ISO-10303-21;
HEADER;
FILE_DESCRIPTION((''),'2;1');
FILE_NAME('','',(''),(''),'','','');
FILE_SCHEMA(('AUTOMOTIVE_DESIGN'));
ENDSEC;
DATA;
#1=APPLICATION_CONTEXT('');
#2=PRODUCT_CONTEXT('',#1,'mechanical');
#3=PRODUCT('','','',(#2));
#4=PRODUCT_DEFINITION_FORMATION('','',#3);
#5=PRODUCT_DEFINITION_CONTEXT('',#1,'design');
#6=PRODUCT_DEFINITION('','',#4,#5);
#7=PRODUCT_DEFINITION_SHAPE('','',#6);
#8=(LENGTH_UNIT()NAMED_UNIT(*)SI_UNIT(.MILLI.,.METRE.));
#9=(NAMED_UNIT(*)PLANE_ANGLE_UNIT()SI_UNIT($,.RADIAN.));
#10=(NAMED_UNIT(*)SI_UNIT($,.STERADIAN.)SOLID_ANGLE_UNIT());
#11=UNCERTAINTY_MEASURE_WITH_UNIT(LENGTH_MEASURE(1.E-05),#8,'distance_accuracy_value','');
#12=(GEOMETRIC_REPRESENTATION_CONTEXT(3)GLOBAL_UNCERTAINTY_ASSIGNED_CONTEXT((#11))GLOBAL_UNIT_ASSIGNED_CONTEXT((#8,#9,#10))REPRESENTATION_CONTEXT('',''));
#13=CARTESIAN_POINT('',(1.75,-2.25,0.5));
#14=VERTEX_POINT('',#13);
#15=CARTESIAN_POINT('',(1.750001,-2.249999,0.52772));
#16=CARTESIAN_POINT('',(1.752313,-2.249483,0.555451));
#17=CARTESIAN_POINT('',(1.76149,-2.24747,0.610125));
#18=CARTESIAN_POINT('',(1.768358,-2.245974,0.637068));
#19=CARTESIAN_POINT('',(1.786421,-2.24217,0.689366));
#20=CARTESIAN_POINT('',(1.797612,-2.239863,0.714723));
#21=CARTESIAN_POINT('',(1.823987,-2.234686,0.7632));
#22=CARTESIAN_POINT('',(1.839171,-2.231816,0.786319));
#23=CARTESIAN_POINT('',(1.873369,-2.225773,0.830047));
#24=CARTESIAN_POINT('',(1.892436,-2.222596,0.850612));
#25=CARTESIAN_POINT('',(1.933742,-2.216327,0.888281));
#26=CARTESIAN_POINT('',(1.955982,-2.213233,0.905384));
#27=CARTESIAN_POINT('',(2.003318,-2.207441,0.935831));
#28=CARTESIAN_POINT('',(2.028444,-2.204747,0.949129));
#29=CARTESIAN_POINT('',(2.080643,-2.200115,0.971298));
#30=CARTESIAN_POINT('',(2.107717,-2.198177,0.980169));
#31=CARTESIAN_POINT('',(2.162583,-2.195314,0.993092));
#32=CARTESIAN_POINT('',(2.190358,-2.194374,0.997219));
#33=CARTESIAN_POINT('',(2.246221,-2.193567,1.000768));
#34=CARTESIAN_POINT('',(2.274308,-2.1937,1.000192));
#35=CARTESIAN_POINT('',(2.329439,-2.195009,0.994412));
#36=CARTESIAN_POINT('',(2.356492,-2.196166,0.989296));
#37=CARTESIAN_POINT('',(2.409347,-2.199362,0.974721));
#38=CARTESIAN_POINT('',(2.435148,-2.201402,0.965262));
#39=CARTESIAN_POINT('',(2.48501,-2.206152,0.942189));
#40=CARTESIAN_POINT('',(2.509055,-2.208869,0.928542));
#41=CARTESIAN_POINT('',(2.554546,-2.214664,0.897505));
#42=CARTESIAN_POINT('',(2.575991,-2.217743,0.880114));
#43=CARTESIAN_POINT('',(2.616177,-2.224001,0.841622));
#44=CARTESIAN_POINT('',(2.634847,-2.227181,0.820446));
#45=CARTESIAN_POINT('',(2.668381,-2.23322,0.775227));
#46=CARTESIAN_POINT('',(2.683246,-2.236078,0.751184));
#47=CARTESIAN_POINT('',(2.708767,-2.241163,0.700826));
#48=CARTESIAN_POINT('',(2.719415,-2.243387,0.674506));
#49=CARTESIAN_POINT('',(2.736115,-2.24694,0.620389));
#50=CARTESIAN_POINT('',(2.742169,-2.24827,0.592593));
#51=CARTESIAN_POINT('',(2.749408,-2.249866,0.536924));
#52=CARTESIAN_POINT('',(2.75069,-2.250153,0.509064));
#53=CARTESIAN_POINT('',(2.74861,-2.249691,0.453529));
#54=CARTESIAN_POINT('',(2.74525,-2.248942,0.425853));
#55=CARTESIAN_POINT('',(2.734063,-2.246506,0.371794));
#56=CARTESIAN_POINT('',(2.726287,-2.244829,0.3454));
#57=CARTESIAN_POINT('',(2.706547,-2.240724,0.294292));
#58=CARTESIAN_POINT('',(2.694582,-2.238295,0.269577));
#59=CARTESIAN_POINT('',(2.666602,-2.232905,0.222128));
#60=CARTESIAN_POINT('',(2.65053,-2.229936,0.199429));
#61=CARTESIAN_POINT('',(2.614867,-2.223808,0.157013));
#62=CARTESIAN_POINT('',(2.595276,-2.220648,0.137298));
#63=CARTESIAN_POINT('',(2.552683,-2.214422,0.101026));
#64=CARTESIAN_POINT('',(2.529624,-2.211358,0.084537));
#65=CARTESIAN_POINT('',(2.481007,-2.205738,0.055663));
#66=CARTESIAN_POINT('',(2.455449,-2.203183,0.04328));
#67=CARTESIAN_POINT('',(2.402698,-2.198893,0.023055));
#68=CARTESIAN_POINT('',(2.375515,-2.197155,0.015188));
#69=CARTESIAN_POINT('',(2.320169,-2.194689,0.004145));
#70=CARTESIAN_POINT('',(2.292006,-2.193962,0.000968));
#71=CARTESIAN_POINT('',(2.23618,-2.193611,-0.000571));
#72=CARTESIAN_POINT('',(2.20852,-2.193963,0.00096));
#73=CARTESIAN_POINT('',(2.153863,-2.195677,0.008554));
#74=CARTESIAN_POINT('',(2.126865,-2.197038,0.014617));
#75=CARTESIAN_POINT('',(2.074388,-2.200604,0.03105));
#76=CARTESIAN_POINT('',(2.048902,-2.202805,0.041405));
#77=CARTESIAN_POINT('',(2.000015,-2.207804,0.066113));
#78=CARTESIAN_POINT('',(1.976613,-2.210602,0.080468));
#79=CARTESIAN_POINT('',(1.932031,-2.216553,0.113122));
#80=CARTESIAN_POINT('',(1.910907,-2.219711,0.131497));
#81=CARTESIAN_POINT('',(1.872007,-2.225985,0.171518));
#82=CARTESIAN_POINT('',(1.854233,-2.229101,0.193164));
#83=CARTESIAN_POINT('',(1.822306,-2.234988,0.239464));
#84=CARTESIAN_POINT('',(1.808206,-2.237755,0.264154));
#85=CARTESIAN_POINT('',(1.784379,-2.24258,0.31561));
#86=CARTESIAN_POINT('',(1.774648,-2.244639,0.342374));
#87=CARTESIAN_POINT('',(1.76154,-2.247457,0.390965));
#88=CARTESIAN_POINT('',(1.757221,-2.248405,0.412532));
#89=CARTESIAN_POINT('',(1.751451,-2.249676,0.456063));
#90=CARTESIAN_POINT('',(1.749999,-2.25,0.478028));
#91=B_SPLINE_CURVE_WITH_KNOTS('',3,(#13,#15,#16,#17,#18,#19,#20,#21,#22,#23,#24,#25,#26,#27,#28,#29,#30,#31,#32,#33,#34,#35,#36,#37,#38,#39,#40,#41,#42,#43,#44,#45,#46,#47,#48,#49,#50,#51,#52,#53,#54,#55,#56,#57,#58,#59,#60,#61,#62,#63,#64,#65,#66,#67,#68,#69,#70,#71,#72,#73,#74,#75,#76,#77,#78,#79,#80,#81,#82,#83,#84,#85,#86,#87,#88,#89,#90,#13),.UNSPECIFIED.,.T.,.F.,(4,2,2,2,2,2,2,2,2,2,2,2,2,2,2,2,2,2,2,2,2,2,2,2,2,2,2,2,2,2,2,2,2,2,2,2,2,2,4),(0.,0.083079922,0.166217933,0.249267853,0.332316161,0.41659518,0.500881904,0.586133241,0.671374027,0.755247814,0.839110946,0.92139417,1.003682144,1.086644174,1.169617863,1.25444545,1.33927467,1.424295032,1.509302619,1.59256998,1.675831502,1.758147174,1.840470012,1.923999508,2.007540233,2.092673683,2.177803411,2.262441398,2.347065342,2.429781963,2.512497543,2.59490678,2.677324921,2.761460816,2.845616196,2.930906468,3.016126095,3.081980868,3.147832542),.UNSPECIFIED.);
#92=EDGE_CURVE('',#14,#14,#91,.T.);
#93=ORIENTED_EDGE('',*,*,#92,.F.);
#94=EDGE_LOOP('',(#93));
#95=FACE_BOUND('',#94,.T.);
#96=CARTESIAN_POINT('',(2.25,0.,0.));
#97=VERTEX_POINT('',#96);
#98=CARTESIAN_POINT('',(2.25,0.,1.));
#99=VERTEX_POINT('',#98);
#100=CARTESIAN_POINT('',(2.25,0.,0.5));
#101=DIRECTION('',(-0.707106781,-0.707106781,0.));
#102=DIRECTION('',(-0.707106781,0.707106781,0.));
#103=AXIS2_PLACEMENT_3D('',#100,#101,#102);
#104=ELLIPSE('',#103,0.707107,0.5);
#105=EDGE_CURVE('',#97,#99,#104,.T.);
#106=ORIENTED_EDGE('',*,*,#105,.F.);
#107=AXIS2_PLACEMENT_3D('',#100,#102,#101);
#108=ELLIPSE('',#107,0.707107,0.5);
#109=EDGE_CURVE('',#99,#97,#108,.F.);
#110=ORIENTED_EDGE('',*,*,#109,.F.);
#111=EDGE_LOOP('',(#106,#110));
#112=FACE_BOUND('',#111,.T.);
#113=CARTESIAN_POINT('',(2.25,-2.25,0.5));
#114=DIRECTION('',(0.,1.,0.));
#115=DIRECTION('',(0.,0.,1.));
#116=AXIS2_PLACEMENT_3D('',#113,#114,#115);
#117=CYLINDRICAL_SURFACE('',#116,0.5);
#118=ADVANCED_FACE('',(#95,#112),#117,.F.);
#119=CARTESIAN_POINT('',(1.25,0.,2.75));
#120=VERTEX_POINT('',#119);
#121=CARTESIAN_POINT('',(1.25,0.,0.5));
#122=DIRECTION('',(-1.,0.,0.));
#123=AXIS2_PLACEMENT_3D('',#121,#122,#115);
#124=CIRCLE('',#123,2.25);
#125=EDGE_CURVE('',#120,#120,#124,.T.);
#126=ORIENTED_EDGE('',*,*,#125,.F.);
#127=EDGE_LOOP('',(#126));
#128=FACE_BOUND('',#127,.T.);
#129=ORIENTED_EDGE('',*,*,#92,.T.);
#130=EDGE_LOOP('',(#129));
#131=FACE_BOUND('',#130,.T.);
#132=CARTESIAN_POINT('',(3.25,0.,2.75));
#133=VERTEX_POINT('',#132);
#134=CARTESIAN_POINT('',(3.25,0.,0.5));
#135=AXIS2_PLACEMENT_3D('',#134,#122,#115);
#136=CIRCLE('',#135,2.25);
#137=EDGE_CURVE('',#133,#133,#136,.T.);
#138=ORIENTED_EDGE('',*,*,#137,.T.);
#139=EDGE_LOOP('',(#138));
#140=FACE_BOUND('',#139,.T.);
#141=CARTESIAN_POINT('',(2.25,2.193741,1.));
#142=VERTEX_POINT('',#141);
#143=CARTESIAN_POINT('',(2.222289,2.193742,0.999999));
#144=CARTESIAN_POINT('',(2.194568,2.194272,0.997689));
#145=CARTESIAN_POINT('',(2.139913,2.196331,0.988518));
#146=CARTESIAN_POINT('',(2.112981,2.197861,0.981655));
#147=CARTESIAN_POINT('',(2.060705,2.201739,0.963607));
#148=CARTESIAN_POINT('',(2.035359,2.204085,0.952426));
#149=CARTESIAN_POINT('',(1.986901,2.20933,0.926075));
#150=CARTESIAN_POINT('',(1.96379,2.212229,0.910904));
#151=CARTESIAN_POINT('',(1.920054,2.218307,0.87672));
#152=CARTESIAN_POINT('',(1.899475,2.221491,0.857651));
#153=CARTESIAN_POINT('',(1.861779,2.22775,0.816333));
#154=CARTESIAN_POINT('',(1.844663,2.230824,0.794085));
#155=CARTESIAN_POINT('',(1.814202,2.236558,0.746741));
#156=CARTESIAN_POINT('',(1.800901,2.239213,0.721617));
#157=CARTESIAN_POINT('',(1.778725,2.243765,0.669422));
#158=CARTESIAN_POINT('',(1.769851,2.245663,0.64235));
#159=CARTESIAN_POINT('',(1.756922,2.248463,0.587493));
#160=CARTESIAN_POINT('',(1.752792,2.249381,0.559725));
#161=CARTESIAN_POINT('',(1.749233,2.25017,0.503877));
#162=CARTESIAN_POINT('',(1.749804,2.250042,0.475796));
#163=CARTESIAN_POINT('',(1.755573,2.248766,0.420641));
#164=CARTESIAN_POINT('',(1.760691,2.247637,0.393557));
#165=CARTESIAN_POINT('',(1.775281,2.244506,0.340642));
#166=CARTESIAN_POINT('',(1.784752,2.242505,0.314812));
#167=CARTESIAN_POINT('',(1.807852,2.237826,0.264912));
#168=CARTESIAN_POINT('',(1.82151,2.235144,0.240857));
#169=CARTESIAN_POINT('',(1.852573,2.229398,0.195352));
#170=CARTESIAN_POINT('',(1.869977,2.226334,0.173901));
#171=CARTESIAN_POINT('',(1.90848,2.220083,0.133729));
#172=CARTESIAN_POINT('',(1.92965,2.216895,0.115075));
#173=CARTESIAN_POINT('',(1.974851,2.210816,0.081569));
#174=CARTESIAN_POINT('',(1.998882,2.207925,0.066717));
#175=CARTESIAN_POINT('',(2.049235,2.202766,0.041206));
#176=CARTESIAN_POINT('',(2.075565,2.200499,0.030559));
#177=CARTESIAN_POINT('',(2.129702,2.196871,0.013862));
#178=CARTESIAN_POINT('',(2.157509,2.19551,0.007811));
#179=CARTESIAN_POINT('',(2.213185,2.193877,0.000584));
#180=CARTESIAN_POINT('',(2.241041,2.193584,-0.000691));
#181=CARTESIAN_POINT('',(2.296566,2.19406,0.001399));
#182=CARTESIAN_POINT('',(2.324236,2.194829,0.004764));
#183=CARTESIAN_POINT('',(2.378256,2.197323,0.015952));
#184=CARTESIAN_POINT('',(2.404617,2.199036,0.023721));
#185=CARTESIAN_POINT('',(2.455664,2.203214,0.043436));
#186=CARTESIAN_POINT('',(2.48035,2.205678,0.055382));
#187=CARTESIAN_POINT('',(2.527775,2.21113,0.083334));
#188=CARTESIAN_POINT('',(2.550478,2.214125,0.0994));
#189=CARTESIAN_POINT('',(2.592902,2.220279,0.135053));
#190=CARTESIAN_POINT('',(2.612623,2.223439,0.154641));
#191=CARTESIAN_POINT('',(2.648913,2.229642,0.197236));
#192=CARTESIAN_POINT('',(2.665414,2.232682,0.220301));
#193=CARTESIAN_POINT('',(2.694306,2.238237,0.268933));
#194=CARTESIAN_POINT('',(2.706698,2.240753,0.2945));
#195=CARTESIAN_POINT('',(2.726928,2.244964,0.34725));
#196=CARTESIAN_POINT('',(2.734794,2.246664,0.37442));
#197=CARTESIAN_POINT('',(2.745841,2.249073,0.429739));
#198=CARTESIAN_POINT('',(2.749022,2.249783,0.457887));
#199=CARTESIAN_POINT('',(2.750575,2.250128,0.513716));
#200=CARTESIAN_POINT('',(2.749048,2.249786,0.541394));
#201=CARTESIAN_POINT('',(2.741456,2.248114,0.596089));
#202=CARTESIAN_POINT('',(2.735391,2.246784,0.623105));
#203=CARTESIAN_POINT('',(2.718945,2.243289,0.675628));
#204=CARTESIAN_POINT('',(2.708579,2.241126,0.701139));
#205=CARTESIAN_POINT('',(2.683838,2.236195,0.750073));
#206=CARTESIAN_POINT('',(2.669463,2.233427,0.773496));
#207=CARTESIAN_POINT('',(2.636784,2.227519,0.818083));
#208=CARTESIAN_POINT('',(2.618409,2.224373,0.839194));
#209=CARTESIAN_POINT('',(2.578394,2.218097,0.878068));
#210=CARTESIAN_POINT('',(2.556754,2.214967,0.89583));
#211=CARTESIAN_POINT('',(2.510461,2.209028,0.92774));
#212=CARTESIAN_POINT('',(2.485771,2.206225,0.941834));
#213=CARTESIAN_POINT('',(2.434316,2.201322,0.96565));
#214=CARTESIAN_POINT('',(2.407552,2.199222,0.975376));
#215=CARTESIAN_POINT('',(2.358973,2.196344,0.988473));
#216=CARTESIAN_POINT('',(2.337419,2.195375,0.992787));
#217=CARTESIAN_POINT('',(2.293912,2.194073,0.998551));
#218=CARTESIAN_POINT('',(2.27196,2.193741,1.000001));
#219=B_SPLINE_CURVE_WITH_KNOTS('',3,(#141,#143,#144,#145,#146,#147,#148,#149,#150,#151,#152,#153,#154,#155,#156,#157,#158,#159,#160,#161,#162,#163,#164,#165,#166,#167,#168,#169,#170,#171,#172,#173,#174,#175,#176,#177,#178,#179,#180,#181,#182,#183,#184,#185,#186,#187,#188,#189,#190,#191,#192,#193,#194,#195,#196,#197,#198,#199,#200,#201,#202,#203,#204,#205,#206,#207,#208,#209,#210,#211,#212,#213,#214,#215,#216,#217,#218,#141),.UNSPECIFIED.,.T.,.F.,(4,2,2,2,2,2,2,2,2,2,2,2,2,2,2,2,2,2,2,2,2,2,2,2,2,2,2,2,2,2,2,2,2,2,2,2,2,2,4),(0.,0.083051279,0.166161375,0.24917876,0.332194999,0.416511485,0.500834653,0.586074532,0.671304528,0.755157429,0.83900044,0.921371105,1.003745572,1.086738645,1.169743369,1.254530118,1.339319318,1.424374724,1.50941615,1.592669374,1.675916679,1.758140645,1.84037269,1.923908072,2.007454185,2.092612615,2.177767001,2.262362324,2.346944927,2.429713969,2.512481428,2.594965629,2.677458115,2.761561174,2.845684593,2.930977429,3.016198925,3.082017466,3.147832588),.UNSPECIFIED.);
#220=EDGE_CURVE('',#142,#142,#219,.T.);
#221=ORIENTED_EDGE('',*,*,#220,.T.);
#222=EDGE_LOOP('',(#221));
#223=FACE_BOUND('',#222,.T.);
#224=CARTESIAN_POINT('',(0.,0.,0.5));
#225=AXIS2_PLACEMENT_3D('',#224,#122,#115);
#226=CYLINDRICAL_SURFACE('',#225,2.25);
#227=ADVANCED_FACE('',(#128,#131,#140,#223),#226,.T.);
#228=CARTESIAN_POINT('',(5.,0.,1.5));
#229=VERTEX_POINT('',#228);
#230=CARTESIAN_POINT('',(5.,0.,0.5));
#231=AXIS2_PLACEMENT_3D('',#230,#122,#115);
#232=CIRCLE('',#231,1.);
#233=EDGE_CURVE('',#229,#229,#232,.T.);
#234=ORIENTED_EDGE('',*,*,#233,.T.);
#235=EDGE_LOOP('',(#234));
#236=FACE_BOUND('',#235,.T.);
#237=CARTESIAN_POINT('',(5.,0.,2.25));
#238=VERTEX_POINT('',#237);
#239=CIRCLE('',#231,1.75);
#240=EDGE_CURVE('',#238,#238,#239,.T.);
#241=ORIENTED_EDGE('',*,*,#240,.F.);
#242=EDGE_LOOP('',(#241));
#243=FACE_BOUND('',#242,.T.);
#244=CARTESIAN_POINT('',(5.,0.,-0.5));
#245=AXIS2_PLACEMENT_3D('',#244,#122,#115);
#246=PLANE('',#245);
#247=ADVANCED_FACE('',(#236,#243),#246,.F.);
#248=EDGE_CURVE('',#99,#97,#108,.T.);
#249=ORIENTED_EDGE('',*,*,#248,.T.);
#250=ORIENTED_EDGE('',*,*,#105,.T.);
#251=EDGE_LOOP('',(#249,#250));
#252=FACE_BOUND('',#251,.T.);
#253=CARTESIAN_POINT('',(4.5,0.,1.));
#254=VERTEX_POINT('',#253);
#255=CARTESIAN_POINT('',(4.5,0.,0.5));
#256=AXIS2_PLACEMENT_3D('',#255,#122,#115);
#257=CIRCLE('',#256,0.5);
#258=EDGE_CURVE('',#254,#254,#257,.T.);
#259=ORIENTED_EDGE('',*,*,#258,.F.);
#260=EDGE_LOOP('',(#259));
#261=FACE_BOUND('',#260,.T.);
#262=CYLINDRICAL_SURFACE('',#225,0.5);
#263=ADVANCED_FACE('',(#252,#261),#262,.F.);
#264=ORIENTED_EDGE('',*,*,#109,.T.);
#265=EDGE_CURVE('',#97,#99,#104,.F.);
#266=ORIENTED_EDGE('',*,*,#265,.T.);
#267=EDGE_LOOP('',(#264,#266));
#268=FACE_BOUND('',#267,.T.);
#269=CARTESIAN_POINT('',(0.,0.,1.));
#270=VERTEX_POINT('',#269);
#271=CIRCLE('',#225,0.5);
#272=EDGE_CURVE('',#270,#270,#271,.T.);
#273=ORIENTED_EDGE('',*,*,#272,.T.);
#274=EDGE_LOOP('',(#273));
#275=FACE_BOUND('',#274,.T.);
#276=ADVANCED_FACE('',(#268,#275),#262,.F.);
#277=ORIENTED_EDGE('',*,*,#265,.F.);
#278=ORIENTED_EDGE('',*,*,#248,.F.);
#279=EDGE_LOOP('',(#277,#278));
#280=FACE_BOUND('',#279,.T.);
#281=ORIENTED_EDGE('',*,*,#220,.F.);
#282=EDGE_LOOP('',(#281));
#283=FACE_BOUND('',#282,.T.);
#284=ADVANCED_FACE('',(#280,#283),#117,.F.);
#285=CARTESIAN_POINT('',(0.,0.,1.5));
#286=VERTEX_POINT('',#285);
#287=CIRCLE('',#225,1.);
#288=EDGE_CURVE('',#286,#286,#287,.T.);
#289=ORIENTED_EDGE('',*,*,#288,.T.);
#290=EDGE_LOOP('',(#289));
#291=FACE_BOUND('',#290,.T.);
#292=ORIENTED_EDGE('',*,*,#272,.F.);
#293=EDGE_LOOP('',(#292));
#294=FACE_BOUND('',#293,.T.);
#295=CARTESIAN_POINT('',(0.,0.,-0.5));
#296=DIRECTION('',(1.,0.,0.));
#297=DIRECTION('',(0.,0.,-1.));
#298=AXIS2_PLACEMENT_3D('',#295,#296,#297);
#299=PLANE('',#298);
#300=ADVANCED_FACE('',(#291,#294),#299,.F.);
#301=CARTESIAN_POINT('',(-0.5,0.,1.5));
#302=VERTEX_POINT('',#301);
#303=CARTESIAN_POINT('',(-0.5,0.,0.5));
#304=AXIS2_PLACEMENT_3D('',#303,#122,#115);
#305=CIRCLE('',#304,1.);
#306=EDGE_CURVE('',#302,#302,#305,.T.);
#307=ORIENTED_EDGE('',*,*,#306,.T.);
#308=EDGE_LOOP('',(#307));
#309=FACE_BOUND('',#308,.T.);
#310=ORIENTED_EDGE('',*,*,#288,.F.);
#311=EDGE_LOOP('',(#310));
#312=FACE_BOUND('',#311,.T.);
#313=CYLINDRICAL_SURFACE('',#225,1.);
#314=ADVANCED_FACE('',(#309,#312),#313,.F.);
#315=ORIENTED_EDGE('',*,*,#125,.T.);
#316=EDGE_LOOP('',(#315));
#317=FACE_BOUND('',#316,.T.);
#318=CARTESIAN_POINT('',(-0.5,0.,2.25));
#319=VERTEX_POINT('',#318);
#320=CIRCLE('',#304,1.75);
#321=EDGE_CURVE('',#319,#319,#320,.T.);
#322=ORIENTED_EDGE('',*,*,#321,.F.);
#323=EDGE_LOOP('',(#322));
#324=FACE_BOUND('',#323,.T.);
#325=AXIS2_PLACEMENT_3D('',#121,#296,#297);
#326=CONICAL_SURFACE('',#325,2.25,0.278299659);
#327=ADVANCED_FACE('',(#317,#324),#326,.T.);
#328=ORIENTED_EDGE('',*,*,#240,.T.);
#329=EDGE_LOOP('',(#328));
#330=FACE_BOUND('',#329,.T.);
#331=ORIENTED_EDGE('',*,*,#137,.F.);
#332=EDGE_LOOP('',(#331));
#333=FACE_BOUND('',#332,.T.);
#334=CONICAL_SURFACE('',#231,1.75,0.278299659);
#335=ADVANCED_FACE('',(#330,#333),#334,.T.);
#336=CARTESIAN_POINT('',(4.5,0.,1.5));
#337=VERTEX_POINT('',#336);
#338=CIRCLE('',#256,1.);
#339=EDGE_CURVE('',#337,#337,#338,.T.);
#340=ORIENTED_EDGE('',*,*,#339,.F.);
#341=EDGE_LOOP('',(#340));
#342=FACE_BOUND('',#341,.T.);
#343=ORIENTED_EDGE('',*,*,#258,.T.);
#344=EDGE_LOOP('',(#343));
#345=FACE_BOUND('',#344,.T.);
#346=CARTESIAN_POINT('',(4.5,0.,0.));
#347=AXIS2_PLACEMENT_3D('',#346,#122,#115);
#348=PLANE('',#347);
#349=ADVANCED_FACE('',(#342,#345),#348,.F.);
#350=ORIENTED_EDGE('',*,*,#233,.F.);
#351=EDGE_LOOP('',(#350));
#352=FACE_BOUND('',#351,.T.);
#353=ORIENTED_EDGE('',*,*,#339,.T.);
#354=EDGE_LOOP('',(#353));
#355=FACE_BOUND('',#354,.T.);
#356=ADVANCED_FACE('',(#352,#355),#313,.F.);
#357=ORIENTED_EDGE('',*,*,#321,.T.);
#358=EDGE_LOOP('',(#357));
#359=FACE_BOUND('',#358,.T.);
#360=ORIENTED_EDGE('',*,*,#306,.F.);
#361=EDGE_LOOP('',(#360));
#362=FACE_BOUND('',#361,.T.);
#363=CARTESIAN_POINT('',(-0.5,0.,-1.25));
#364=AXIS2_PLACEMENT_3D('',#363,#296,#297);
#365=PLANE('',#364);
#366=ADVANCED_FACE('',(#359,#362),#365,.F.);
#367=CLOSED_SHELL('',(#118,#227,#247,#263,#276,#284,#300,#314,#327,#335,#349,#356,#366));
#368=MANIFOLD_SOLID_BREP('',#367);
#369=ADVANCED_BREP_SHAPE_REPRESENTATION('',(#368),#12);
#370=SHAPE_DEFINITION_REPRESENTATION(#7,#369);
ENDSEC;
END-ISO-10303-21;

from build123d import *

# Parameters (mm, degrees)
SKETCH3_R               = 0.5
CUT_EXTRUDE2_DEPTH      = 1.25
CUT_EXTRUDE2_DEPTH_BACK = 5.25


with BuildPart() as part:
    # Sketch1 → Revolve1 (revolve)
    with BuildSketch(Plane(origin=(0, 0, 0), x_dir=(1, 0, 0), z_dir=(0, 1, 0))):
        Polygon((0, 0), (4.5, 0), (4.5, 0.5), (5, 0.5), (5, 1.25), (3.25, 1.75), (1.25, 1.75), (-0.5, 1.25), (-0.5, 0.5), (0, 0.5), align=None)
    revolve(axis=Axis((0, 0, 0.5), (1, 0, 0)))

    # Sketch3 → Cut-Extrude2 (cut, two sides)
    with BuildSketch(Plane(origin=(0, 2, 0), x_dir=(1, 0, 0), z_dir=(0, 1, 0))) as cut_extrude2_sk:
        with Locations((2.25, -0.5)):
            Circle(SKETCH3_R)
    extrude(amount=CUT_EXTRUDE2_DEPTH, mode=Mode.SUBTRACT)
    extrude(cut_extrude2_sk.sketch, amount=-CUT_EXTRUDE2_DEPTH_BACK, mode=Mode.SUBTRACT)


solid = part.part
